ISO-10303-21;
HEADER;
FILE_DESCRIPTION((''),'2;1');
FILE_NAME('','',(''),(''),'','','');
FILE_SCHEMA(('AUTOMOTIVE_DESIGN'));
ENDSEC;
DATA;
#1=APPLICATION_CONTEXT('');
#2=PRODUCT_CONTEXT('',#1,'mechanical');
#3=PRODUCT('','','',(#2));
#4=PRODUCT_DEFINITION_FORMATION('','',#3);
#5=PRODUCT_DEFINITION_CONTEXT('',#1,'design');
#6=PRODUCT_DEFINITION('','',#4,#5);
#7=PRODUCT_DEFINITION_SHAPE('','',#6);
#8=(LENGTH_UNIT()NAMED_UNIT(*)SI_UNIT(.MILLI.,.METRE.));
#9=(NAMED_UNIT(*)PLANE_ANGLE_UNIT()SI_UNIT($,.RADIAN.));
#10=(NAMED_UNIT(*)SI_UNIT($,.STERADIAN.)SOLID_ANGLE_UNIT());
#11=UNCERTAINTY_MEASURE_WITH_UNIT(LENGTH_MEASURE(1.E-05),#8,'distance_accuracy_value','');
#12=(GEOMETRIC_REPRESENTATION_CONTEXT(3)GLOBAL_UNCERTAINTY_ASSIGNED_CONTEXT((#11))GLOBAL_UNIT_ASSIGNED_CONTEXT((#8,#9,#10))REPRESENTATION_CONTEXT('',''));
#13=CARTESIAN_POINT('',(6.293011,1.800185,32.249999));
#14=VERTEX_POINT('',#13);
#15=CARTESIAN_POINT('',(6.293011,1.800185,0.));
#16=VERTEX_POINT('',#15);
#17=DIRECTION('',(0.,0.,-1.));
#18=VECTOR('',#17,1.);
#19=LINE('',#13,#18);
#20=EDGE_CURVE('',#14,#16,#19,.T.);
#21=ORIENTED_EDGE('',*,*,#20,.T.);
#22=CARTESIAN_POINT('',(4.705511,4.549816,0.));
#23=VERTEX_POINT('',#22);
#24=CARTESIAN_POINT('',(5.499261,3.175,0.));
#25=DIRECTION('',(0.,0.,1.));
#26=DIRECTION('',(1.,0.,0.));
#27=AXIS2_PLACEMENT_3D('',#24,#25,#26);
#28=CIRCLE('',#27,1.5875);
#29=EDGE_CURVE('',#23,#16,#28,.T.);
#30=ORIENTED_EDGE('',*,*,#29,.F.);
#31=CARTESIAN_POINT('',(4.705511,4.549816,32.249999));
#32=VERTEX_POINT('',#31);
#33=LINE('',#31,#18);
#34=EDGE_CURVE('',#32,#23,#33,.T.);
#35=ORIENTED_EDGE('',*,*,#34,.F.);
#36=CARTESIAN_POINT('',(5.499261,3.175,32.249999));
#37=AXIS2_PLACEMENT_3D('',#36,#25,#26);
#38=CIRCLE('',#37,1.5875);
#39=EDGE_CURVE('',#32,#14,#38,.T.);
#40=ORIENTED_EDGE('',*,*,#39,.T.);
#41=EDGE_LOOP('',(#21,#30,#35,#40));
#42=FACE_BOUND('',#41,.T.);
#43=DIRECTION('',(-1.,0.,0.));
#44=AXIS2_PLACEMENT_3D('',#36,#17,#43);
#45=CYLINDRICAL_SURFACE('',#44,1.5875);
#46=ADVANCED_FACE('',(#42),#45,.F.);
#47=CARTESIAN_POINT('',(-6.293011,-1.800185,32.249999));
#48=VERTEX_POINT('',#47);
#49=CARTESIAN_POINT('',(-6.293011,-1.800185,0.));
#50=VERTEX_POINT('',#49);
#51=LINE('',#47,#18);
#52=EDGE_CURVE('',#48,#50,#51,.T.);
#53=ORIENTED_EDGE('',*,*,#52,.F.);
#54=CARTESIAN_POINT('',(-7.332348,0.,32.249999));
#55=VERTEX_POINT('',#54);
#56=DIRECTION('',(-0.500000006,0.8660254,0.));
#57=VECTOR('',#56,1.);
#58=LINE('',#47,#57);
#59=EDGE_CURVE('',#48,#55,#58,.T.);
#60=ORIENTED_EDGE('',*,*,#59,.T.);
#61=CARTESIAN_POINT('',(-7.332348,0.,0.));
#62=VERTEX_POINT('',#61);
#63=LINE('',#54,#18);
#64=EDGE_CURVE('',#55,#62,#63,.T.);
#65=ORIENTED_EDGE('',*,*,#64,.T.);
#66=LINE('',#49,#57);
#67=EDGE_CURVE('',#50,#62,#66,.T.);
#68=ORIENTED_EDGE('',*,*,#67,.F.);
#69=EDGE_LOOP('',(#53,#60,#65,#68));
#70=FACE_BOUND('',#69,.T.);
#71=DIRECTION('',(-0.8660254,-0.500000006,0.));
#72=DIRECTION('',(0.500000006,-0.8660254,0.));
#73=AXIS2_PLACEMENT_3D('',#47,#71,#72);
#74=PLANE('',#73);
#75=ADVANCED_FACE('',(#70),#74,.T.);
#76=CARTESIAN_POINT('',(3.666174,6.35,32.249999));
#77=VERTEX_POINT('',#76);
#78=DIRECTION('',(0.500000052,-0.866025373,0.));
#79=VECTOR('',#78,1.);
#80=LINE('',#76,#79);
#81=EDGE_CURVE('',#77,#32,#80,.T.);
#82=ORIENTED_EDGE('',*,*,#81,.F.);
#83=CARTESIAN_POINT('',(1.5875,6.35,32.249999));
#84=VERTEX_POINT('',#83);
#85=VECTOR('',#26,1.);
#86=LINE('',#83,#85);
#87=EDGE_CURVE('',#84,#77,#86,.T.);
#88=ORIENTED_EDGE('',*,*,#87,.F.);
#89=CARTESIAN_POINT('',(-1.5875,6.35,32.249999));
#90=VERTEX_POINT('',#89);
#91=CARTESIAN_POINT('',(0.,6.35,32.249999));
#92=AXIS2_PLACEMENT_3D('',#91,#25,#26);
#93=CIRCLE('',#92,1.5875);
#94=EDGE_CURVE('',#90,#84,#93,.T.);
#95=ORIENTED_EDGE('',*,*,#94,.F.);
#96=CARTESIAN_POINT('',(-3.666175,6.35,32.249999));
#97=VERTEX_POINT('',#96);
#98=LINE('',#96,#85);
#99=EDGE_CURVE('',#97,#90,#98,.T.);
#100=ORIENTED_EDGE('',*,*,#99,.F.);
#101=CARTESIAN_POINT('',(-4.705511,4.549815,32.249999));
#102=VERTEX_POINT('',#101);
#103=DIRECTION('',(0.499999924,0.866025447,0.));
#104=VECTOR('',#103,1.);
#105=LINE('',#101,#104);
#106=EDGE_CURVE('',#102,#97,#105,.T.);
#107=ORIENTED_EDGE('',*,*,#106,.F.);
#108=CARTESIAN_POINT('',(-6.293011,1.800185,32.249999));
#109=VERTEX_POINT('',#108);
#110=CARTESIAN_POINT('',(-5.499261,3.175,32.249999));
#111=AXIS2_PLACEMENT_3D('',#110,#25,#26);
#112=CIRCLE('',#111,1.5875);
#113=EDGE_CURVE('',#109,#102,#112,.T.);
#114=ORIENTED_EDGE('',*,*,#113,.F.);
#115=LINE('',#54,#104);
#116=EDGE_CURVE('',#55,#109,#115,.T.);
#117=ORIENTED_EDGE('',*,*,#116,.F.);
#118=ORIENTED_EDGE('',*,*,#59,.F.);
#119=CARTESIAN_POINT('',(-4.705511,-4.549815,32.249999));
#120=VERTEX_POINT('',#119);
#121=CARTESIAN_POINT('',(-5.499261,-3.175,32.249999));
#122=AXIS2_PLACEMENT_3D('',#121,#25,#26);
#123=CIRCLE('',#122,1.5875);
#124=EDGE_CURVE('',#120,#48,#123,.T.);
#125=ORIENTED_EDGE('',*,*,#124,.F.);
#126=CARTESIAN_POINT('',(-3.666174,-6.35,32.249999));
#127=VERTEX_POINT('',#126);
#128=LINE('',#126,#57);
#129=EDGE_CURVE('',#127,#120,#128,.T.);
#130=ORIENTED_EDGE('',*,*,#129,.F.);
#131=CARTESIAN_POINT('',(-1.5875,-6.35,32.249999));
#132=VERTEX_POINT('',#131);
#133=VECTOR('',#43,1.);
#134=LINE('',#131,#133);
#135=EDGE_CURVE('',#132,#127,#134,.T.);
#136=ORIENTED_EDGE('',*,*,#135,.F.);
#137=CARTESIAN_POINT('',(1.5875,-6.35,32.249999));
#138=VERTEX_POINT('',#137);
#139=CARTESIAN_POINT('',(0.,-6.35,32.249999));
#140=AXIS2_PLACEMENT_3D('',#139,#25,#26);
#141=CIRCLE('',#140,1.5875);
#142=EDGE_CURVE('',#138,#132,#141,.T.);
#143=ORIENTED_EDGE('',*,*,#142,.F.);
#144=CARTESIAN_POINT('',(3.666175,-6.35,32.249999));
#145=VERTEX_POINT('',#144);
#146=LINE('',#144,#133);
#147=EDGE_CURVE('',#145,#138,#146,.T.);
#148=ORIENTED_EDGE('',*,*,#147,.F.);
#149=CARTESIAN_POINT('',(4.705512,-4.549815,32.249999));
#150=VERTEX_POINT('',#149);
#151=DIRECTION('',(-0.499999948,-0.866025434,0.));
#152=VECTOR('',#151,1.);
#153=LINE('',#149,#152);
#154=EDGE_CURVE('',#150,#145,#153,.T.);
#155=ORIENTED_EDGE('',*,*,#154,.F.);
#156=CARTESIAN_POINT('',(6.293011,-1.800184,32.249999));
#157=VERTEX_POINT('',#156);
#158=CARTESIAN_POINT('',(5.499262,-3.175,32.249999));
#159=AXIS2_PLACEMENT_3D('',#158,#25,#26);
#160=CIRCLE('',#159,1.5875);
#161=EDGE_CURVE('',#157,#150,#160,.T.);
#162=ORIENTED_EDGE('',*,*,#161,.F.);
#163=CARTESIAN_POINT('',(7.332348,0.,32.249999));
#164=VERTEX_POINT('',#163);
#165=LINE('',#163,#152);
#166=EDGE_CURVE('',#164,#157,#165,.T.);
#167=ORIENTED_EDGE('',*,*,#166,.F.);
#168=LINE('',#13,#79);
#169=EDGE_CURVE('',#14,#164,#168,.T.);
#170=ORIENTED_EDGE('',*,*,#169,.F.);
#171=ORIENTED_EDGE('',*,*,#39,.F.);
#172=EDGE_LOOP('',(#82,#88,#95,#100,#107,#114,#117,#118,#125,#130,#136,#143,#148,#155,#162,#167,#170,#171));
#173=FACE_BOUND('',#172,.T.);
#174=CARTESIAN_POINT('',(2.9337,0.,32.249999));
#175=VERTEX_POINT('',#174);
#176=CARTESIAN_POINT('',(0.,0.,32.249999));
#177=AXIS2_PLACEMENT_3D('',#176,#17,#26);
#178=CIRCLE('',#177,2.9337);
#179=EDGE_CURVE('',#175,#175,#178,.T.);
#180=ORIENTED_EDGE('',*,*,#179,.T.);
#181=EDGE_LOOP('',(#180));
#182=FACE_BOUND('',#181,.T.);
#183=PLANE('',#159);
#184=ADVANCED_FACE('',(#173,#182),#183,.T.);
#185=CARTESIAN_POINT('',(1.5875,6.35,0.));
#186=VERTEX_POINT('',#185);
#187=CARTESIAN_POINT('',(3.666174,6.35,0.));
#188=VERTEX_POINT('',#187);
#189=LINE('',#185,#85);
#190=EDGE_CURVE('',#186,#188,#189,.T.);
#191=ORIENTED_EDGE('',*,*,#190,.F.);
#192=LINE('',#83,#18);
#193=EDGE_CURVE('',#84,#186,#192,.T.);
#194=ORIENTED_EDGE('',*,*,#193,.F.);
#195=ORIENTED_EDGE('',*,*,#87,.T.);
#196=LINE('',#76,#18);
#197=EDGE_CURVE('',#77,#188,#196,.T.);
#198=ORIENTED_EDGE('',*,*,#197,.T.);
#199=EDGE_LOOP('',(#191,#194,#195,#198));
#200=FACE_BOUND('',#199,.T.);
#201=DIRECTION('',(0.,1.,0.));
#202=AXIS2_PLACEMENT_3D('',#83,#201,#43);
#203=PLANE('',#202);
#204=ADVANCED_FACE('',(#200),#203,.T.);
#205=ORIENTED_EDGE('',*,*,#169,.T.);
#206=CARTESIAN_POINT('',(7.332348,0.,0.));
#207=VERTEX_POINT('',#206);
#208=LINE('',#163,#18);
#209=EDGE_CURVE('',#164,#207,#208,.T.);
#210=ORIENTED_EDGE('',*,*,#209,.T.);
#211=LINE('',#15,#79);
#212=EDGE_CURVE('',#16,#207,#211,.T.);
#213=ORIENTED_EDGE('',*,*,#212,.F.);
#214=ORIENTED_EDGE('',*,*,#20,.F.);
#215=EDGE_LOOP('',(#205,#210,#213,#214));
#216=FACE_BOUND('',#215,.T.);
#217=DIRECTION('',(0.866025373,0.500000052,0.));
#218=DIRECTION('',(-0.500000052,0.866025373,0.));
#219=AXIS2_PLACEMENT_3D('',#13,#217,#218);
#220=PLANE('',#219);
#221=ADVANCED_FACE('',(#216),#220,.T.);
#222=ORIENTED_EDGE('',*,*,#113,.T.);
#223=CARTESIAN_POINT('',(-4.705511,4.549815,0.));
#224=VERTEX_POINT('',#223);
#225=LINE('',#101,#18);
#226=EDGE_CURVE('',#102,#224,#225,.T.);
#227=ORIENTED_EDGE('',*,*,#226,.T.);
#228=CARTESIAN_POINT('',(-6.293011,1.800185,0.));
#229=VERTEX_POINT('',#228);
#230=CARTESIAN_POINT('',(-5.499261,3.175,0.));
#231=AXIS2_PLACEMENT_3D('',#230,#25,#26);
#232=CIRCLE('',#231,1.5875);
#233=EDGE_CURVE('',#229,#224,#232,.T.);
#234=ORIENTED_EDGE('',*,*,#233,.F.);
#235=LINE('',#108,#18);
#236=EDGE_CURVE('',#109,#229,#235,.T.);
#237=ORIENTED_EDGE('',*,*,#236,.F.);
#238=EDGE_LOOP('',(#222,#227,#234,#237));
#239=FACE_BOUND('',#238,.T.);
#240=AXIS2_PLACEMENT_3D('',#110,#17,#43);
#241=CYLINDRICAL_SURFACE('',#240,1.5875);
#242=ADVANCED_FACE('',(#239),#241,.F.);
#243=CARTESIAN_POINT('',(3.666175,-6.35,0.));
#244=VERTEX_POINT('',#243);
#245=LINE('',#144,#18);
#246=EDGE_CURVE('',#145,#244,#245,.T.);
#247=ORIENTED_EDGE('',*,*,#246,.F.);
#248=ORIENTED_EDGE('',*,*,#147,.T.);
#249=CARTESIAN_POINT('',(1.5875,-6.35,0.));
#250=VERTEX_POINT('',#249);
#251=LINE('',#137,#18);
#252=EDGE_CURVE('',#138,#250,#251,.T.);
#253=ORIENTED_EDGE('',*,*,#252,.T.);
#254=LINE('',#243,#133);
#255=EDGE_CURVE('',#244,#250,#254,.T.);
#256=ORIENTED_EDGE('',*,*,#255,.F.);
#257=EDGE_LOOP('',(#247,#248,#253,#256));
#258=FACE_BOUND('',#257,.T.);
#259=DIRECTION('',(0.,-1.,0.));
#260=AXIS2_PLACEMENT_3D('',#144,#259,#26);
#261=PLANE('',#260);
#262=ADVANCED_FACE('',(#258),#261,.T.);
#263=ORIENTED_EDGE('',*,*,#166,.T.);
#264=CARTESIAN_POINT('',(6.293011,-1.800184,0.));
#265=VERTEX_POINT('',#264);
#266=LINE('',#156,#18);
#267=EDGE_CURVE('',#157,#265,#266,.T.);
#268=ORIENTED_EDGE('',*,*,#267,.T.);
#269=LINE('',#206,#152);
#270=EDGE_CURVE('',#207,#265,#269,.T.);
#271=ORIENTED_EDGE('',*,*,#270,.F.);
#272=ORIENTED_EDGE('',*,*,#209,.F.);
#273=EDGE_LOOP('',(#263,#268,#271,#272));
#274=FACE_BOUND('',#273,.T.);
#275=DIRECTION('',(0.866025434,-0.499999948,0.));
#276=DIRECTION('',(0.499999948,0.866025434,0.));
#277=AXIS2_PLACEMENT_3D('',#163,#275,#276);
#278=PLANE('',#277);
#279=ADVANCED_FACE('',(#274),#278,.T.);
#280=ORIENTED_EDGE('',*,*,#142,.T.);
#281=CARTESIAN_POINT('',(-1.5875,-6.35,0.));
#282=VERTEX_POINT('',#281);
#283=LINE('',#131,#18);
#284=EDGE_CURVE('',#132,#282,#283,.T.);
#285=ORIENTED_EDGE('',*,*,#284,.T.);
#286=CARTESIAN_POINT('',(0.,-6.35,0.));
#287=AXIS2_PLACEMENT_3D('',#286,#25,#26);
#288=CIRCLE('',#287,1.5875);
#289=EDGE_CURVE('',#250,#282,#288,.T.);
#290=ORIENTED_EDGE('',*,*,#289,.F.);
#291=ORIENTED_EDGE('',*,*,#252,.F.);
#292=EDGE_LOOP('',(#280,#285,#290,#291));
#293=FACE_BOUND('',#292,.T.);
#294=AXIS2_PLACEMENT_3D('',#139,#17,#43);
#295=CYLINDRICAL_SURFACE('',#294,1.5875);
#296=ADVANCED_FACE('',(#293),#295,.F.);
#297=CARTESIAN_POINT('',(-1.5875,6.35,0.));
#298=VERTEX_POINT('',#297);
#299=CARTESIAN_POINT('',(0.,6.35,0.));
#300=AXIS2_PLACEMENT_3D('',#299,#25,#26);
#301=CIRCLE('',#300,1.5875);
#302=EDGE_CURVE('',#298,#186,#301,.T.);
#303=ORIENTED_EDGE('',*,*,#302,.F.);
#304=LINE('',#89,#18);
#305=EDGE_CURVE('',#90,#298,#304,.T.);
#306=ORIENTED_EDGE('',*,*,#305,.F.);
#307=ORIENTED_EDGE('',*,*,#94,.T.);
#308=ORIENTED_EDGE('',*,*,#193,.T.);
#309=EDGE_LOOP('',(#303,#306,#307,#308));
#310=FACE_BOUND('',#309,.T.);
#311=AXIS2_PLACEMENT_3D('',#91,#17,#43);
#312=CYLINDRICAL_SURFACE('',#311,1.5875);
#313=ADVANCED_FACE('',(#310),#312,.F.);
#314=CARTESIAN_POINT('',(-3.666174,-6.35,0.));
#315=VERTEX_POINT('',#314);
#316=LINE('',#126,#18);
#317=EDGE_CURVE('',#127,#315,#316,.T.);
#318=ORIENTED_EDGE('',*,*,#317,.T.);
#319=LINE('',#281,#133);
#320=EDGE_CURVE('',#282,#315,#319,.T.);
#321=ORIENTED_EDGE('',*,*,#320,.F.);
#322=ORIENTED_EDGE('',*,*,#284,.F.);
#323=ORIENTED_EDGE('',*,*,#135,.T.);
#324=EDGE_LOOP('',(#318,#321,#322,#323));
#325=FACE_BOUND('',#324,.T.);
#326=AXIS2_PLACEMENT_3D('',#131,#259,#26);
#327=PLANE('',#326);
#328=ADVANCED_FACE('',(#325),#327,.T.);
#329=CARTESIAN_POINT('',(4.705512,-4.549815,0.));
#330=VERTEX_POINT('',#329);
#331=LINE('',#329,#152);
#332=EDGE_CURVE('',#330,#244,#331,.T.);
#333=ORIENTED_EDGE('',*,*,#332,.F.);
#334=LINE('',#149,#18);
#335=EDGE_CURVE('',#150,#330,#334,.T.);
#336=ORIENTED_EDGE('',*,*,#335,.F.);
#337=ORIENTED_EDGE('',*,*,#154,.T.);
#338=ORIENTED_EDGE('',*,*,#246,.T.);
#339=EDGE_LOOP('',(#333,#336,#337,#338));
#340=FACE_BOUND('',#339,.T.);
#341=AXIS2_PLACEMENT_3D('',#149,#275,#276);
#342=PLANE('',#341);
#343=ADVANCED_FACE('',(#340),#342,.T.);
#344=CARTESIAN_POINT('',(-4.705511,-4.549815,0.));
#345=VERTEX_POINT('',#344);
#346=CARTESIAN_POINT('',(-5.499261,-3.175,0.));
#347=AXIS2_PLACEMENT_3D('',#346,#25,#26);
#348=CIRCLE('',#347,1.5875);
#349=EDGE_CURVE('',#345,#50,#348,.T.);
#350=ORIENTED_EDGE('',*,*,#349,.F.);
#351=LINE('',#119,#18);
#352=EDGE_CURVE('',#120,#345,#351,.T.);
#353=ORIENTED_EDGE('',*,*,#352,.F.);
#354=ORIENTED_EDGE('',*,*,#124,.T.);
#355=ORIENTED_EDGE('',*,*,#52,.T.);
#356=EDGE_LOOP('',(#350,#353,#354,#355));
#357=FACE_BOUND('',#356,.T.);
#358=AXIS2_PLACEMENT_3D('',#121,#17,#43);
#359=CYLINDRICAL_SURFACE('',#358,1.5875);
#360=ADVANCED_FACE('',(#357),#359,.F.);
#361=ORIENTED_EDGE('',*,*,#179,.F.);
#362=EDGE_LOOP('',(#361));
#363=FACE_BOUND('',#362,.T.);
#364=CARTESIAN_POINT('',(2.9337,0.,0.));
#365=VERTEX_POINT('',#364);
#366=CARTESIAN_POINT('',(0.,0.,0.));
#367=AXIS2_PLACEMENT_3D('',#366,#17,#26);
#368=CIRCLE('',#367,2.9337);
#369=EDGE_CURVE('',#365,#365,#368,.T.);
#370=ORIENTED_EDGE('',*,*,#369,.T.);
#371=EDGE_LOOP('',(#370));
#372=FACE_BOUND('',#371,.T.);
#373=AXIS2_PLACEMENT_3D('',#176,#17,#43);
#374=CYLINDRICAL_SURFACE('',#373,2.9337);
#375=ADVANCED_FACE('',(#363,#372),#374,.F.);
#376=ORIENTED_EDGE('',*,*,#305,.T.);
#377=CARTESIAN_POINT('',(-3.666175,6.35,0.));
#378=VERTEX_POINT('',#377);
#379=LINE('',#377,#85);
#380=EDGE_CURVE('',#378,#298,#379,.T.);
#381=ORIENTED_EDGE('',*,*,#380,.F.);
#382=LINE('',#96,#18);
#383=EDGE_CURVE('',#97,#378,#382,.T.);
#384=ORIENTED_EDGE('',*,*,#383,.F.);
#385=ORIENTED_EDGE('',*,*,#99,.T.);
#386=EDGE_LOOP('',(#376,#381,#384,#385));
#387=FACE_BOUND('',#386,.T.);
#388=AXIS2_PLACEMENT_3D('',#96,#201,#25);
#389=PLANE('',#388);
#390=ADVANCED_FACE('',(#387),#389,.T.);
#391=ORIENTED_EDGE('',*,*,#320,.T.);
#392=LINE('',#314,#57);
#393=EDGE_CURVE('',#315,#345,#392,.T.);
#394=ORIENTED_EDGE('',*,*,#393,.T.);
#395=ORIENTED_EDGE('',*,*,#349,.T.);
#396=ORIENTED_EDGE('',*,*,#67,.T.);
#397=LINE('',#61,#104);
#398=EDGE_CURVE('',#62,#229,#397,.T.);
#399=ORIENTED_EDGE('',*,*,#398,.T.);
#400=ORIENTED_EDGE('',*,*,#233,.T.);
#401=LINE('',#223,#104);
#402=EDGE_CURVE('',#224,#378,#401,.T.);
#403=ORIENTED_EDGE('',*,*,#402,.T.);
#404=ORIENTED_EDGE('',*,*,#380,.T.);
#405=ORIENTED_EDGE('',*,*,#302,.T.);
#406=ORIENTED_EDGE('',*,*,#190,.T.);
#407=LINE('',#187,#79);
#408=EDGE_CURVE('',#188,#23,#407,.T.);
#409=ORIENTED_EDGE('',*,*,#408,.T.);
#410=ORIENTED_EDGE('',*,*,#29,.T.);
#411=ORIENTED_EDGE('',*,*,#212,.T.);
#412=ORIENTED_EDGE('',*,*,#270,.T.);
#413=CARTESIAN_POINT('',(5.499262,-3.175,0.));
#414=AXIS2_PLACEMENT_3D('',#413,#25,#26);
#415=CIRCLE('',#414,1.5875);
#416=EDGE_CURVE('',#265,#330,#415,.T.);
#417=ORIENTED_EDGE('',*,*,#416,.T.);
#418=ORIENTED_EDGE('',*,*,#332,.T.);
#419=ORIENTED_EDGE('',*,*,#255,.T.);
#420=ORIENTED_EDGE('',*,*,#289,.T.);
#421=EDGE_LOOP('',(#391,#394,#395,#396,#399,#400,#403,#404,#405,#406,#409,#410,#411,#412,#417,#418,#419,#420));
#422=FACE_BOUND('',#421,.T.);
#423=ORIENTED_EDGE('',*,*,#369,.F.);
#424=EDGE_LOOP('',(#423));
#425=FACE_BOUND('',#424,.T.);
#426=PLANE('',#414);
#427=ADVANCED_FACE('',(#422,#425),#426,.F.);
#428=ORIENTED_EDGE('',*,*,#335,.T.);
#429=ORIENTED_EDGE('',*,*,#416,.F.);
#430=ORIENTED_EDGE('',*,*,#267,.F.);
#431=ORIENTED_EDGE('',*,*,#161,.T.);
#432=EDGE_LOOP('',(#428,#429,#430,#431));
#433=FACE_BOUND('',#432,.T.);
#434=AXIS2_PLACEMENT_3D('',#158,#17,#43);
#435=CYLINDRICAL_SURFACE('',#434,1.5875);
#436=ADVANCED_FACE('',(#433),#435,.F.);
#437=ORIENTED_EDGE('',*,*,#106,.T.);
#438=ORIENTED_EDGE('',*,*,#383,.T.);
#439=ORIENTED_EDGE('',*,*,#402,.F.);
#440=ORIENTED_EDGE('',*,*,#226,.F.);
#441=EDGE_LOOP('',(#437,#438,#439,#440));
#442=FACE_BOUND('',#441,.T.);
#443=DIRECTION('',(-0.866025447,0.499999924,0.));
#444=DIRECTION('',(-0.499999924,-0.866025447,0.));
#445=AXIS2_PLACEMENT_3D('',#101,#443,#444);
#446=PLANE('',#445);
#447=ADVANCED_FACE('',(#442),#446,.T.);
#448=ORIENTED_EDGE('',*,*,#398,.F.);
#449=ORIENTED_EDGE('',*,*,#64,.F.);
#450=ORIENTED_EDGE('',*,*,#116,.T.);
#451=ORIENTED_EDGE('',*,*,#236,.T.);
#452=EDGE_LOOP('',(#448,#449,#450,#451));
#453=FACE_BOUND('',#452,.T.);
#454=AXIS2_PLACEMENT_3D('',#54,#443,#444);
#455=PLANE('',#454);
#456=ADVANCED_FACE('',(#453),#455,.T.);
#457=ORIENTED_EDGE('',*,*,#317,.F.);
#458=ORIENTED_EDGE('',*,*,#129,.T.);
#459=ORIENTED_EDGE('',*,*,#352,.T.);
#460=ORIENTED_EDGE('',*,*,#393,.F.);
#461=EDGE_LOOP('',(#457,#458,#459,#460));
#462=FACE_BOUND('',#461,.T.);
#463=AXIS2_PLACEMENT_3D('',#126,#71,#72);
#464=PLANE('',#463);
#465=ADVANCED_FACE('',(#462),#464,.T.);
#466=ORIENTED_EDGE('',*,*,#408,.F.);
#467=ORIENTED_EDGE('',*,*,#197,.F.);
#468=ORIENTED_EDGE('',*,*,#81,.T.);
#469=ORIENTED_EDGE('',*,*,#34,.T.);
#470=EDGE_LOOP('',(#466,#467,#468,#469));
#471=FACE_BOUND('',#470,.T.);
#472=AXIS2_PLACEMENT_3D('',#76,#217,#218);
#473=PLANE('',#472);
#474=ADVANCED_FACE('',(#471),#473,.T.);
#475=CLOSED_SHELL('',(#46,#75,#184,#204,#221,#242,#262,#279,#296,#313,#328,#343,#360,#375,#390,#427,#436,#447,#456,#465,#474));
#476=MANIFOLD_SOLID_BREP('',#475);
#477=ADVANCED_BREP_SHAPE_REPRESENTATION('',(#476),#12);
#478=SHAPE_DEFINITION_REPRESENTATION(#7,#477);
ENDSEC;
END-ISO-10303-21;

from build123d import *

# Parameters (mm, degrees)
SKETCH1_R           = 2.9337
BOSS_EXTRUDE1_DEPTH = 32.249999


with BuildPart() as part:
    # Sketch1 → Boss-Extrude1 (new body)
    with BuildSketch(Plane(origin=(0, 0, 0), x_dir=(-1, 0, 0), z_dir=(0, 0, -1))):
        with BuildLine():
            Line((-4.70551159, -4.549815043), (-3.666174521, -6.349999904))
            Line((-3.666174521, -6.349999904), (-1.587500385, -6.349999904))
            ThreePointArc((-1.587500385, -6.349999904), (-3.85e-07, -4.762499904), (1.587499615, -6.349999904))
            Line((1.587499615, -6.349999904), (3.666173825, -6.349999904))
            Line((3.666173825, -6.349999904), (4.705510942, -4.54981524))
            ThreePointArc((4.705510942, -4.54981524), (4.124445629, -2.381249907), (6.293010962, -1.800184594))
            Line((6.293010962, -1.800184594), (7.332348079, 7e-08))
            Line((7.332348079, 7e-08), (6.293011217, 1.800184685))
            ThreePointArc((6.293011217, 1.800184685), (4.124445939, 2.381250203), (4.705511457, 4.549815481))
            Line((4.705511457, 4.549815481), (3.666174521, 6.350000222))
            Line((3.666174521, 6.350000222), (1.587500385, 6.350000222))
            ThreePointArc((1.587500385, 6.350000222), (3.85e-07, 4.762500222), (-1.587499615, 6.350000222))
            Line((-1.587499615, 6.350000222), (-3.666173825, 6.350000222))
            Line((-3.666173825, 6.350000222), (-4.705511038, 4.549815614))
            ThreePointArc((-4.705511038, 4.549815614), (-4.124445841, 2.38125025), (-6.293011205, 1.800185053))
            Line((-6.293011205, 1.800185053), (-7.332348419, 4.44e-07))
            Line((-7.332348419, 4.44e-07), (-6.293011423, -1.80018429))
            ThreePointArc((-6.293011423, -1.80018429), (-4.12444613, -2.38124975), (-4.70551159, -4.549815043))
        make_face()
        Circle(SKETCH1_R, mode=Mode.SUBTRACT)
    extrude(amount=-BOSS_EXTRUDE1_DEPTH)


solid = part.part
